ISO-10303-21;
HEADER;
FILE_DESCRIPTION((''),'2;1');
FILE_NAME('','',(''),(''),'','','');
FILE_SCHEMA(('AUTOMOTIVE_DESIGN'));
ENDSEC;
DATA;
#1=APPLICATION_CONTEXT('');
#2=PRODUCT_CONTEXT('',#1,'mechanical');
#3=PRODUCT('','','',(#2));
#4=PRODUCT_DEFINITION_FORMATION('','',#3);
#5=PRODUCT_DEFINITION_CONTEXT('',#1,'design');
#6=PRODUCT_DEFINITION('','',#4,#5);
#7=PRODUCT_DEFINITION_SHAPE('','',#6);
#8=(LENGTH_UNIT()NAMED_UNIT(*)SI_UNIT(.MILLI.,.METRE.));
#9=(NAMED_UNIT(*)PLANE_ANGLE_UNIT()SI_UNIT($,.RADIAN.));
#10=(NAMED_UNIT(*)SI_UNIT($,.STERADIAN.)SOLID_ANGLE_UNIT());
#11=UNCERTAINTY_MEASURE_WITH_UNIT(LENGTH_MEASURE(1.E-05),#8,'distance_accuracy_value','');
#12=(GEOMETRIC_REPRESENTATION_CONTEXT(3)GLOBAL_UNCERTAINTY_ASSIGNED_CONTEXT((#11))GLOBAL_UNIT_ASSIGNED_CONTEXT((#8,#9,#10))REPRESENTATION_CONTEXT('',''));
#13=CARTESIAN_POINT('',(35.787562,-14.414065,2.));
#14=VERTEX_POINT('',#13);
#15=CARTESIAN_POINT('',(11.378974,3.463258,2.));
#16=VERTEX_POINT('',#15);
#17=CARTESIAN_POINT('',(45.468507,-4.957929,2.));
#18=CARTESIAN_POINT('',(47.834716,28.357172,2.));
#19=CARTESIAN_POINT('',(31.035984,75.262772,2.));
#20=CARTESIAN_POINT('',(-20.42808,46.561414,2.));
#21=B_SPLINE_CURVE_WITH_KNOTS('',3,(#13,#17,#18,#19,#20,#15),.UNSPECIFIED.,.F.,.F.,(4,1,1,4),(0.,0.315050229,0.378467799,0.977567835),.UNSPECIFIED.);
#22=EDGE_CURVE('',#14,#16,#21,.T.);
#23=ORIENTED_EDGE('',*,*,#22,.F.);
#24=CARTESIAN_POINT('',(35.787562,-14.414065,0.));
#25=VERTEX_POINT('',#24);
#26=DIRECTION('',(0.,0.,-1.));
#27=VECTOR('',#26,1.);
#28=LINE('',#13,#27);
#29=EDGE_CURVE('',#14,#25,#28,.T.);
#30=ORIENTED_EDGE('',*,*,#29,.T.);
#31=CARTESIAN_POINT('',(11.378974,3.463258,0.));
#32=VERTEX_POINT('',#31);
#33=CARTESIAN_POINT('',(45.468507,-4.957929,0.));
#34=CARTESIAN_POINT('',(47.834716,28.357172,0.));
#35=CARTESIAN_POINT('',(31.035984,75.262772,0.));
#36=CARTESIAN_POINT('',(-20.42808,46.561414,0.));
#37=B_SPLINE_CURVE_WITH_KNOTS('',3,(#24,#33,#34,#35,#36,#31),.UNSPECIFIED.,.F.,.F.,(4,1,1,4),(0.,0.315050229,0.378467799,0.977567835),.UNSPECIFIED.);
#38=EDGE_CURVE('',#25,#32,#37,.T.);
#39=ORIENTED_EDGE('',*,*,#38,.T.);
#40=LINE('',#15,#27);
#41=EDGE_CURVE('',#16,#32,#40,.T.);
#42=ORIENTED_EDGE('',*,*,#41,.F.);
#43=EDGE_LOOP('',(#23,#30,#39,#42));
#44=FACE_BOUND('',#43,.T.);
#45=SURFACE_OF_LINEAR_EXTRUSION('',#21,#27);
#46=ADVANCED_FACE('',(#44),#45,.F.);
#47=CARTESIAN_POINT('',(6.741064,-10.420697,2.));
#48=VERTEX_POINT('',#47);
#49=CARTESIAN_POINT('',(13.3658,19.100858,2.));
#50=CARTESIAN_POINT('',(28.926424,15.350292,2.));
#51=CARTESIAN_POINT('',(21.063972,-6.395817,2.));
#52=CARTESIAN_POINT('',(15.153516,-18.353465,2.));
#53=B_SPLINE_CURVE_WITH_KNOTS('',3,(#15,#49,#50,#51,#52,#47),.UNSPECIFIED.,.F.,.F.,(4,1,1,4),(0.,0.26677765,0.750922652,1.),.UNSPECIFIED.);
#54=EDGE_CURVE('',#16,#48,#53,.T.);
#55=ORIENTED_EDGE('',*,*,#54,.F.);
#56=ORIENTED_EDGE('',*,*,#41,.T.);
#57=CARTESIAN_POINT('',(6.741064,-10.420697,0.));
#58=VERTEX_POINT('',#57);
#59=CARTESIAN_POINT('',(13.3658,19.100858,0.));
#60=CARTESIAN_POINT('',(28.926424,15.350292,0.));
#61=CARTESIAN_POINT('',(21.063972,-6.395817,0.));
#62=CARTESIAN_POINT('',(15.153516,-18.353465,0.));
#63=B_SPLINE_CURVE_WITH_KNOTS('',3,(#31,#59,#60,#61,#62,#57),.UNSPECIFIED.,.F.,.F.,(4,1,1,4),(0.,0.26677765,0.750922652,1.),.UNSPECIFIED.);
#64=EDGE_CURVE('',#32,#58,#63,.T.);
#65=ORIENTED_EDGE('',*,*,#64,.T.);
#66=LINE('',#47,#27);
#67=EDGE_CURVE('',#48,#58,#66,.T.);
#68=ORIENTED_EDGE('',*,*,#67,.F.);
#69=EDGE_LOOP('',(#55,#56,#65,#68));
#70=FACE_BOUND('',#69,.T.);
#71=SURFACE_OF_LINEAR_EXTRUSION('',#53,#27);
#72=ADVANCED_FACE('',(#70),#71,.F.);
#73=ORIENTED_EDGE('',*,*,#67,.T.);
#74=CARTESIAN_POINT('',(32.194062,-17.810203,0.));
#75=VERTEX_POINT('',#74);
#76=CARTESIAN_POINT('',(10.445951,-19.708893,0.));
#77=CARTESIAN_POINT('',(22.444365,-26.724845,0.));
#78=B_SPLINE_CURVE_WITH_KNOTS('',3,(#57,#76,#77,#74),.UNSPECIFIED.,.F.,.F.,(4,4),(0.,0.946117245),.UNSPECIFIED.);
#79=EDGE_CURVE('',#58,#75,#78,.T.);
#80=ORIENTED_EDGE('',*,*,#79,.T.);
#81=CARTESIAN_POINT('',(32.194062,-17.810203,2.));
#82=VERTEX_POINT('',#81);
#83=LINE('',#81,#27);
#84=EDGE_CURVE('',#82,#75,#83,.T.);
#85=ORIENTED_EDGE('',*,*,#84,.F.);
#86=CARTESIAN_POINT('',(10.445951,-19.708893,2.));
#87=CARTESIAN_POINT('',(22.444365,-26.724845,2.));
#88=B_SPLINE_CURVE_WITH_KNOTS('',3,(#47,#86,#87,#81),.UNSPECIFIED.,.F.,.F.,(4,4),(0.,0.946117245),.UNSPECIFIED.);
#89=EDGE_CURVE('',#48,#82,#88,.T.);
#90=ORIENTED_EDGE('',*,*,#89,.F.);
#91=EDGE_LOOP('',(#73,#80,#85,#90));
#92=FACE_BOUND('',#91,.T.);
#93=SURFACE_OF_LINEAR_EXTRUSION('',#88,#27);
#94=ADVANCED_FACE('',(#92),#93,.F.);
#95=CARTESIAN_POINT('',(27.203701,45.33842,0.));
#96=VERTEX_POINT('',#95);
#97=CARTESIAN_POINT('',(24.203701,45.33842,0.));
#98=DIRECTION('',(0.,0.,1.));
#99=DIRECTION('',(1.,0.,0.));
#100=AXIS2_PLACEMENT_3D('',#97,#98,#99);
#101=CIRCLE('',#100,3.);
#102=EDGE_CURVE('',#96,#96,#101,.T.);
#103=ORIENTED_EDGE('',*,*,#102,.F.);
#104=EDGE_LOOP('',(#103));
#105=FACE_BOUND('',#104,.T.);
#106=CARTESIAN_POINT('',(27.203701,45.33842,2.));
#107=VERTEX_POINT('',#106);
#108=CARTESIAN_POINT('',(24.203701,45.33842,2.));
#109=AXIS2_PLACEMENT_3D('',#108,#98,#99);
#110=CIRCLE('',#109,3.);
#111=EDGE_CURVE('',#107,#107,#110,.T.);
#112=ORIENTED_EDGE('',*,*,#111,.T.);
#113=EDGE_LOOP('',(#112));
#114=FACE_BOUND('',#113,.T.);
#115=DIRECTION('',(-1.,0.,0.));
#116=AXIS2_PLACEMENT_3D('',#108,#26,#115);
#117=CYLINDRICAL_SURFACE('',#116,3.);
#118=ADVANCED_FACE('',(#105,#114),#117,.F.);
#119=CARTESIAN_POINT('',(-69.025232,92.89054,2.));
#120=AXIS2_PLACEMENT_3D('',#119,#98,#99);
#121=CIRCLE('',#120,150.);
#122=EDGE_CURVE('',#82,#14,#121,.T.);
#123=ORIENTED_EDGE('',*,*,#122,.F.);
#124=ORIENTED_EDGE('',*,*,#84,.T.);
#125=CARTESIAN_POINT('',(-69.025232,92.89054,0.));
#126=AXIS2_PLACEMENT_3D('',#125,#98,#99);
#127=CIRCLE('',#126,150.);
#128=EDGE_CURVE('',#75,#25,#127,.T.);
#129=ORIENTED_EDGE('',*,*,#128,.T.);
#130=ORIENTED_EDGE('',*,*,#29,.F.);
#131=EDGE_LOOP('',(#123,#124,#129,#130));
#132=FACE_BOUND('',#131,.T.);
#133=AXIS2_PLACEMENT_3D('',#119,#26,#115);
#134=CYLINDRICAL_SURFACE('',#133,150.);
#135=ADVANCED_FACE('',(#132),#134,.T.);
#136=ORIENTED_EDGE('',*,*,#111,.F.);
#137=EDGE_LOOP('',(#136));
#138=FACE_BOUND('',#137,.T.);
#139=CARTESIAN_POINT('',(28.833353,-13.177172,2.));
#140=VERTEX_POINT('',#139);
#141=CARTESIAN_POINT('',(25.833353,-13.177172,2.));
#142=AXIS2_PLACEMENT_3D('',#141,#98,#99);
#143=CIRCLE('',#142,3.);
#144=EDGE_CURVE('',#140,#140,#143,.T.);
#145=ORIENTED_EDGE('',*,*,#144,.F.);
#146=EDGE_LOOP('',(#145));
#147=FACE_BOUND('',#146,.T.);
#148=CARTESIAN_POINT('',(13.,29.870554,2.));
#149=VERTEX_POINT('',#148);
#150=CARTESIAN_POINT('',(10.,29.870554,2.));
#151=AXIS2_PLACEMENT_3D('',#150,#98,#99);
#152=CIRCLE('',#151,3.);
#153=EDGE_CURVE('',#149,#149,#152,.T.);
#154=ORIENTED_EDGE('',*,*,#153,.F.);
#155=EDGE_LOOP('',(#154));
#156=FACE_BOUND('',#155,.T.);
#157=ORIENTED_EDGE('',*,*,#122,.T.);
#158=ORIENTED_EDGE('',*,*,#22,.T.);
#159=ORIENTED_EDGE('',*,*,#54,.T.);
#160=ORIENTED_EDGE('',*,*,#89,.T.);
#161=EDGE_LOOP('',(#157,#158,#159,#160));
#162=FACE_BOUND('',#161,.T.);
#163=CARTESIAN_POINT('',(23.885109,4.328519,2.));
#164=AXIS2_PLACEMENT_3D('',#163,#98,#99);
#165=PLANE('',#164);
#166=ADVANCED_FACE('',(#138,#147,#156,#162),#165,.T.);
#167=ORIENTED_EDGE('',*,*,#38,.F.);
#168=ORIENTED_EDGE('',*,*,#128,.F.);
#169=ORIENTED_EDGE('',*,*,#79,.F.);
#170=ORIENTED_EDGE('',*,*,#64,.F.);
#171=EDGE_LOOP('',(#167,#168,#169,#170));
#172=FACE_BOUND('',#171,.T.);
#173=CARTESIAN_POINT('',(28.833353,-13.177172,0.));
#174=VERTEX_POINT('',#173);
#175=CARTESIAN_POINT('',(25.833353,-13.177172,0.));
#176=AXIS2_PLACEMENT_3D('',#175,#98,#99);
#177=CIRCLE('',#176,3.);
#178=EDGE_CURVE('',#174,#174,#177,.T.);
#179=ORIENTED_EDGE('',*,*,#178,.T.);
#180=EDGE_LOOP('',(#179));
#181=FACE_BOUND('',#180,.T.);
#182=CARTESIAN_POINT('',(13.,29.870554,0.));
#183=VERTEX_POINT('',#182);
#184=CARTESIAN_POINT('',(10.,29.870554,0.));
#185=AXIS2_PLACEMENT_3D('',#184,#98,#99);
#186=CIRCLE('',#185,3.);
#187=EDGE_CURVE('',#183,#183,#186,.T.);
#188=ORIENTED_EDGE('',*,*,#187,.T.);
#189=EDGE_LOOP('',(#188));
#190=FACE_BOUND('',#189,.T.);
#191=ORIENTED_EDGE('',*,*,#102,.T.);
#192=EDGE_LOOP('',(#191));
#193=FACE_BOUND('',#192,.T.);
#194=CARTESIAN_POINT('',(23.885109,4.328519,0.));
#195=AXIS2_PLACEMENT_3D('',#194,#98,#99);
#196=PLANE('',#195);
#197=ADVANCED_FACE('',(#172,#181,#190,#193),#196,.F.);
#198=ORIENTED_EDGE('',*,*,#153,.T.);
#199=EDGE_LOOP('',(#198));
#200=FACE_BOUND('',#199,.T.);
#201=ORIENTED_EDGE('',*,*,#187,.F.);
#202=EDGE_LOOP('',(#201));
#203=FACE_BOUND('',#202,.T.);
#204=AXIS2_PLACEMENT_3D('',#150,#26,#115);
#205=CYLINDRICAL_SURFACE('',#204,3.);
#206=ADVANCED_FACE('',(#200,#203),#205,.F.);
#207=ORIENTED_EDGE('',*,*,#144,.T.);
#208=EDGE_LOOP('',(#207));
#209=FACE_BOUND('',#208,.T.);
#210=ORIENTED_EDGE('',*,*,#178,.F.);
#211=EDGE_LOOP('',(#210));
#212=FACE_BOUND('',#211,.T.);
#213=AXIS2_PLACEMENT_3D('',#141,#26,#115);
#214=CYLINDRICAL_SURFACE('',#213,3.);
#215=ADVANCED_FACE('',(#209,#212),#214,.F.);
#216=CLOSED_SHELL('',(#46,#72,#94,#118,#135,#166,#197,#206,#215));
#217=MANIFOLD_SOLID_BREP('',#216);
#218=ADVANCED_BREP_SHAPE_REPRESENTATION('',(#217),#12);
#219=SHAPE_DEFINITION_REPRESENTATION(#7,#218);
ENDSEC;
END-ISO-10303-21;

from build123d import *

# Parameters (mm, degrees)
SKETCH1_R           = 3
BOSS_EXTRUDE1_DEPTH = 2


with BuildPart() as part:
    # Sketch1 → Boss-Extrude1 (new body)
    with BuildSketch(Plane.XY):
        with BuildLine():
            ThreePointArc((32.19406205, -17.810203093), (34.004806039, -16.126941486), (35.787561743, -14.414065094))
            add(Edge.make_bspline(
                [(11.378973774, 3.463257982), (-20.428079659, 46.561414382), (31.035983519, 75.262771907), (47.834715517, 28.357171922), (45.468507141, -4.957929113), (35.787561743, -14.414065094)],
                knots=[0, 0, 0, 0, 0.599100037, 0.662517606, 0.977567835, 0.977567835, 0.977567835, 0.977567835], degree=3))
            add(Edge.make_bspline(
                [(11.378973774, 3.463257982), (13.365800423, 19.100858267), (28.926423979, 15.35029216), (21.063971919, -6.395817412), (15.153515843, -18.353465234), (6.741063931, -10.420697396)],
                knots=[0, 0, 0, 0, 0.26677765, 0.750922652, 1, 1, 1, 1], degree=3))
            add(Edge.make_bspline(
                [(6.741063931, -10.420697396), (10.445950674, -19.708893243), (22.444364812, -26.724844927), (32.19406205, -17.810203093)],
                knots=[0, 0, 0, 0, 0.946117245, 0.946117245, 0.946117245, 0.946117245], degree=3))
        make_face()
        with Locations((24.20370128, 45.338419783)):
            Circle(SKETCH1_R, mode=Mode.SUBTRACT)
        with Locations((10, 29.870554062)):
            Circle(SKETCH1_R, mode=Mode.SUBTRACT)
        with Locations((25.833353061, -13.177172292)):
            Circle(SKETCH1_R, mode=Mode.SUBTRACT)
    extrude(amount=BOSS_EXTRUDE1_DEPTH)


solid = part.part
